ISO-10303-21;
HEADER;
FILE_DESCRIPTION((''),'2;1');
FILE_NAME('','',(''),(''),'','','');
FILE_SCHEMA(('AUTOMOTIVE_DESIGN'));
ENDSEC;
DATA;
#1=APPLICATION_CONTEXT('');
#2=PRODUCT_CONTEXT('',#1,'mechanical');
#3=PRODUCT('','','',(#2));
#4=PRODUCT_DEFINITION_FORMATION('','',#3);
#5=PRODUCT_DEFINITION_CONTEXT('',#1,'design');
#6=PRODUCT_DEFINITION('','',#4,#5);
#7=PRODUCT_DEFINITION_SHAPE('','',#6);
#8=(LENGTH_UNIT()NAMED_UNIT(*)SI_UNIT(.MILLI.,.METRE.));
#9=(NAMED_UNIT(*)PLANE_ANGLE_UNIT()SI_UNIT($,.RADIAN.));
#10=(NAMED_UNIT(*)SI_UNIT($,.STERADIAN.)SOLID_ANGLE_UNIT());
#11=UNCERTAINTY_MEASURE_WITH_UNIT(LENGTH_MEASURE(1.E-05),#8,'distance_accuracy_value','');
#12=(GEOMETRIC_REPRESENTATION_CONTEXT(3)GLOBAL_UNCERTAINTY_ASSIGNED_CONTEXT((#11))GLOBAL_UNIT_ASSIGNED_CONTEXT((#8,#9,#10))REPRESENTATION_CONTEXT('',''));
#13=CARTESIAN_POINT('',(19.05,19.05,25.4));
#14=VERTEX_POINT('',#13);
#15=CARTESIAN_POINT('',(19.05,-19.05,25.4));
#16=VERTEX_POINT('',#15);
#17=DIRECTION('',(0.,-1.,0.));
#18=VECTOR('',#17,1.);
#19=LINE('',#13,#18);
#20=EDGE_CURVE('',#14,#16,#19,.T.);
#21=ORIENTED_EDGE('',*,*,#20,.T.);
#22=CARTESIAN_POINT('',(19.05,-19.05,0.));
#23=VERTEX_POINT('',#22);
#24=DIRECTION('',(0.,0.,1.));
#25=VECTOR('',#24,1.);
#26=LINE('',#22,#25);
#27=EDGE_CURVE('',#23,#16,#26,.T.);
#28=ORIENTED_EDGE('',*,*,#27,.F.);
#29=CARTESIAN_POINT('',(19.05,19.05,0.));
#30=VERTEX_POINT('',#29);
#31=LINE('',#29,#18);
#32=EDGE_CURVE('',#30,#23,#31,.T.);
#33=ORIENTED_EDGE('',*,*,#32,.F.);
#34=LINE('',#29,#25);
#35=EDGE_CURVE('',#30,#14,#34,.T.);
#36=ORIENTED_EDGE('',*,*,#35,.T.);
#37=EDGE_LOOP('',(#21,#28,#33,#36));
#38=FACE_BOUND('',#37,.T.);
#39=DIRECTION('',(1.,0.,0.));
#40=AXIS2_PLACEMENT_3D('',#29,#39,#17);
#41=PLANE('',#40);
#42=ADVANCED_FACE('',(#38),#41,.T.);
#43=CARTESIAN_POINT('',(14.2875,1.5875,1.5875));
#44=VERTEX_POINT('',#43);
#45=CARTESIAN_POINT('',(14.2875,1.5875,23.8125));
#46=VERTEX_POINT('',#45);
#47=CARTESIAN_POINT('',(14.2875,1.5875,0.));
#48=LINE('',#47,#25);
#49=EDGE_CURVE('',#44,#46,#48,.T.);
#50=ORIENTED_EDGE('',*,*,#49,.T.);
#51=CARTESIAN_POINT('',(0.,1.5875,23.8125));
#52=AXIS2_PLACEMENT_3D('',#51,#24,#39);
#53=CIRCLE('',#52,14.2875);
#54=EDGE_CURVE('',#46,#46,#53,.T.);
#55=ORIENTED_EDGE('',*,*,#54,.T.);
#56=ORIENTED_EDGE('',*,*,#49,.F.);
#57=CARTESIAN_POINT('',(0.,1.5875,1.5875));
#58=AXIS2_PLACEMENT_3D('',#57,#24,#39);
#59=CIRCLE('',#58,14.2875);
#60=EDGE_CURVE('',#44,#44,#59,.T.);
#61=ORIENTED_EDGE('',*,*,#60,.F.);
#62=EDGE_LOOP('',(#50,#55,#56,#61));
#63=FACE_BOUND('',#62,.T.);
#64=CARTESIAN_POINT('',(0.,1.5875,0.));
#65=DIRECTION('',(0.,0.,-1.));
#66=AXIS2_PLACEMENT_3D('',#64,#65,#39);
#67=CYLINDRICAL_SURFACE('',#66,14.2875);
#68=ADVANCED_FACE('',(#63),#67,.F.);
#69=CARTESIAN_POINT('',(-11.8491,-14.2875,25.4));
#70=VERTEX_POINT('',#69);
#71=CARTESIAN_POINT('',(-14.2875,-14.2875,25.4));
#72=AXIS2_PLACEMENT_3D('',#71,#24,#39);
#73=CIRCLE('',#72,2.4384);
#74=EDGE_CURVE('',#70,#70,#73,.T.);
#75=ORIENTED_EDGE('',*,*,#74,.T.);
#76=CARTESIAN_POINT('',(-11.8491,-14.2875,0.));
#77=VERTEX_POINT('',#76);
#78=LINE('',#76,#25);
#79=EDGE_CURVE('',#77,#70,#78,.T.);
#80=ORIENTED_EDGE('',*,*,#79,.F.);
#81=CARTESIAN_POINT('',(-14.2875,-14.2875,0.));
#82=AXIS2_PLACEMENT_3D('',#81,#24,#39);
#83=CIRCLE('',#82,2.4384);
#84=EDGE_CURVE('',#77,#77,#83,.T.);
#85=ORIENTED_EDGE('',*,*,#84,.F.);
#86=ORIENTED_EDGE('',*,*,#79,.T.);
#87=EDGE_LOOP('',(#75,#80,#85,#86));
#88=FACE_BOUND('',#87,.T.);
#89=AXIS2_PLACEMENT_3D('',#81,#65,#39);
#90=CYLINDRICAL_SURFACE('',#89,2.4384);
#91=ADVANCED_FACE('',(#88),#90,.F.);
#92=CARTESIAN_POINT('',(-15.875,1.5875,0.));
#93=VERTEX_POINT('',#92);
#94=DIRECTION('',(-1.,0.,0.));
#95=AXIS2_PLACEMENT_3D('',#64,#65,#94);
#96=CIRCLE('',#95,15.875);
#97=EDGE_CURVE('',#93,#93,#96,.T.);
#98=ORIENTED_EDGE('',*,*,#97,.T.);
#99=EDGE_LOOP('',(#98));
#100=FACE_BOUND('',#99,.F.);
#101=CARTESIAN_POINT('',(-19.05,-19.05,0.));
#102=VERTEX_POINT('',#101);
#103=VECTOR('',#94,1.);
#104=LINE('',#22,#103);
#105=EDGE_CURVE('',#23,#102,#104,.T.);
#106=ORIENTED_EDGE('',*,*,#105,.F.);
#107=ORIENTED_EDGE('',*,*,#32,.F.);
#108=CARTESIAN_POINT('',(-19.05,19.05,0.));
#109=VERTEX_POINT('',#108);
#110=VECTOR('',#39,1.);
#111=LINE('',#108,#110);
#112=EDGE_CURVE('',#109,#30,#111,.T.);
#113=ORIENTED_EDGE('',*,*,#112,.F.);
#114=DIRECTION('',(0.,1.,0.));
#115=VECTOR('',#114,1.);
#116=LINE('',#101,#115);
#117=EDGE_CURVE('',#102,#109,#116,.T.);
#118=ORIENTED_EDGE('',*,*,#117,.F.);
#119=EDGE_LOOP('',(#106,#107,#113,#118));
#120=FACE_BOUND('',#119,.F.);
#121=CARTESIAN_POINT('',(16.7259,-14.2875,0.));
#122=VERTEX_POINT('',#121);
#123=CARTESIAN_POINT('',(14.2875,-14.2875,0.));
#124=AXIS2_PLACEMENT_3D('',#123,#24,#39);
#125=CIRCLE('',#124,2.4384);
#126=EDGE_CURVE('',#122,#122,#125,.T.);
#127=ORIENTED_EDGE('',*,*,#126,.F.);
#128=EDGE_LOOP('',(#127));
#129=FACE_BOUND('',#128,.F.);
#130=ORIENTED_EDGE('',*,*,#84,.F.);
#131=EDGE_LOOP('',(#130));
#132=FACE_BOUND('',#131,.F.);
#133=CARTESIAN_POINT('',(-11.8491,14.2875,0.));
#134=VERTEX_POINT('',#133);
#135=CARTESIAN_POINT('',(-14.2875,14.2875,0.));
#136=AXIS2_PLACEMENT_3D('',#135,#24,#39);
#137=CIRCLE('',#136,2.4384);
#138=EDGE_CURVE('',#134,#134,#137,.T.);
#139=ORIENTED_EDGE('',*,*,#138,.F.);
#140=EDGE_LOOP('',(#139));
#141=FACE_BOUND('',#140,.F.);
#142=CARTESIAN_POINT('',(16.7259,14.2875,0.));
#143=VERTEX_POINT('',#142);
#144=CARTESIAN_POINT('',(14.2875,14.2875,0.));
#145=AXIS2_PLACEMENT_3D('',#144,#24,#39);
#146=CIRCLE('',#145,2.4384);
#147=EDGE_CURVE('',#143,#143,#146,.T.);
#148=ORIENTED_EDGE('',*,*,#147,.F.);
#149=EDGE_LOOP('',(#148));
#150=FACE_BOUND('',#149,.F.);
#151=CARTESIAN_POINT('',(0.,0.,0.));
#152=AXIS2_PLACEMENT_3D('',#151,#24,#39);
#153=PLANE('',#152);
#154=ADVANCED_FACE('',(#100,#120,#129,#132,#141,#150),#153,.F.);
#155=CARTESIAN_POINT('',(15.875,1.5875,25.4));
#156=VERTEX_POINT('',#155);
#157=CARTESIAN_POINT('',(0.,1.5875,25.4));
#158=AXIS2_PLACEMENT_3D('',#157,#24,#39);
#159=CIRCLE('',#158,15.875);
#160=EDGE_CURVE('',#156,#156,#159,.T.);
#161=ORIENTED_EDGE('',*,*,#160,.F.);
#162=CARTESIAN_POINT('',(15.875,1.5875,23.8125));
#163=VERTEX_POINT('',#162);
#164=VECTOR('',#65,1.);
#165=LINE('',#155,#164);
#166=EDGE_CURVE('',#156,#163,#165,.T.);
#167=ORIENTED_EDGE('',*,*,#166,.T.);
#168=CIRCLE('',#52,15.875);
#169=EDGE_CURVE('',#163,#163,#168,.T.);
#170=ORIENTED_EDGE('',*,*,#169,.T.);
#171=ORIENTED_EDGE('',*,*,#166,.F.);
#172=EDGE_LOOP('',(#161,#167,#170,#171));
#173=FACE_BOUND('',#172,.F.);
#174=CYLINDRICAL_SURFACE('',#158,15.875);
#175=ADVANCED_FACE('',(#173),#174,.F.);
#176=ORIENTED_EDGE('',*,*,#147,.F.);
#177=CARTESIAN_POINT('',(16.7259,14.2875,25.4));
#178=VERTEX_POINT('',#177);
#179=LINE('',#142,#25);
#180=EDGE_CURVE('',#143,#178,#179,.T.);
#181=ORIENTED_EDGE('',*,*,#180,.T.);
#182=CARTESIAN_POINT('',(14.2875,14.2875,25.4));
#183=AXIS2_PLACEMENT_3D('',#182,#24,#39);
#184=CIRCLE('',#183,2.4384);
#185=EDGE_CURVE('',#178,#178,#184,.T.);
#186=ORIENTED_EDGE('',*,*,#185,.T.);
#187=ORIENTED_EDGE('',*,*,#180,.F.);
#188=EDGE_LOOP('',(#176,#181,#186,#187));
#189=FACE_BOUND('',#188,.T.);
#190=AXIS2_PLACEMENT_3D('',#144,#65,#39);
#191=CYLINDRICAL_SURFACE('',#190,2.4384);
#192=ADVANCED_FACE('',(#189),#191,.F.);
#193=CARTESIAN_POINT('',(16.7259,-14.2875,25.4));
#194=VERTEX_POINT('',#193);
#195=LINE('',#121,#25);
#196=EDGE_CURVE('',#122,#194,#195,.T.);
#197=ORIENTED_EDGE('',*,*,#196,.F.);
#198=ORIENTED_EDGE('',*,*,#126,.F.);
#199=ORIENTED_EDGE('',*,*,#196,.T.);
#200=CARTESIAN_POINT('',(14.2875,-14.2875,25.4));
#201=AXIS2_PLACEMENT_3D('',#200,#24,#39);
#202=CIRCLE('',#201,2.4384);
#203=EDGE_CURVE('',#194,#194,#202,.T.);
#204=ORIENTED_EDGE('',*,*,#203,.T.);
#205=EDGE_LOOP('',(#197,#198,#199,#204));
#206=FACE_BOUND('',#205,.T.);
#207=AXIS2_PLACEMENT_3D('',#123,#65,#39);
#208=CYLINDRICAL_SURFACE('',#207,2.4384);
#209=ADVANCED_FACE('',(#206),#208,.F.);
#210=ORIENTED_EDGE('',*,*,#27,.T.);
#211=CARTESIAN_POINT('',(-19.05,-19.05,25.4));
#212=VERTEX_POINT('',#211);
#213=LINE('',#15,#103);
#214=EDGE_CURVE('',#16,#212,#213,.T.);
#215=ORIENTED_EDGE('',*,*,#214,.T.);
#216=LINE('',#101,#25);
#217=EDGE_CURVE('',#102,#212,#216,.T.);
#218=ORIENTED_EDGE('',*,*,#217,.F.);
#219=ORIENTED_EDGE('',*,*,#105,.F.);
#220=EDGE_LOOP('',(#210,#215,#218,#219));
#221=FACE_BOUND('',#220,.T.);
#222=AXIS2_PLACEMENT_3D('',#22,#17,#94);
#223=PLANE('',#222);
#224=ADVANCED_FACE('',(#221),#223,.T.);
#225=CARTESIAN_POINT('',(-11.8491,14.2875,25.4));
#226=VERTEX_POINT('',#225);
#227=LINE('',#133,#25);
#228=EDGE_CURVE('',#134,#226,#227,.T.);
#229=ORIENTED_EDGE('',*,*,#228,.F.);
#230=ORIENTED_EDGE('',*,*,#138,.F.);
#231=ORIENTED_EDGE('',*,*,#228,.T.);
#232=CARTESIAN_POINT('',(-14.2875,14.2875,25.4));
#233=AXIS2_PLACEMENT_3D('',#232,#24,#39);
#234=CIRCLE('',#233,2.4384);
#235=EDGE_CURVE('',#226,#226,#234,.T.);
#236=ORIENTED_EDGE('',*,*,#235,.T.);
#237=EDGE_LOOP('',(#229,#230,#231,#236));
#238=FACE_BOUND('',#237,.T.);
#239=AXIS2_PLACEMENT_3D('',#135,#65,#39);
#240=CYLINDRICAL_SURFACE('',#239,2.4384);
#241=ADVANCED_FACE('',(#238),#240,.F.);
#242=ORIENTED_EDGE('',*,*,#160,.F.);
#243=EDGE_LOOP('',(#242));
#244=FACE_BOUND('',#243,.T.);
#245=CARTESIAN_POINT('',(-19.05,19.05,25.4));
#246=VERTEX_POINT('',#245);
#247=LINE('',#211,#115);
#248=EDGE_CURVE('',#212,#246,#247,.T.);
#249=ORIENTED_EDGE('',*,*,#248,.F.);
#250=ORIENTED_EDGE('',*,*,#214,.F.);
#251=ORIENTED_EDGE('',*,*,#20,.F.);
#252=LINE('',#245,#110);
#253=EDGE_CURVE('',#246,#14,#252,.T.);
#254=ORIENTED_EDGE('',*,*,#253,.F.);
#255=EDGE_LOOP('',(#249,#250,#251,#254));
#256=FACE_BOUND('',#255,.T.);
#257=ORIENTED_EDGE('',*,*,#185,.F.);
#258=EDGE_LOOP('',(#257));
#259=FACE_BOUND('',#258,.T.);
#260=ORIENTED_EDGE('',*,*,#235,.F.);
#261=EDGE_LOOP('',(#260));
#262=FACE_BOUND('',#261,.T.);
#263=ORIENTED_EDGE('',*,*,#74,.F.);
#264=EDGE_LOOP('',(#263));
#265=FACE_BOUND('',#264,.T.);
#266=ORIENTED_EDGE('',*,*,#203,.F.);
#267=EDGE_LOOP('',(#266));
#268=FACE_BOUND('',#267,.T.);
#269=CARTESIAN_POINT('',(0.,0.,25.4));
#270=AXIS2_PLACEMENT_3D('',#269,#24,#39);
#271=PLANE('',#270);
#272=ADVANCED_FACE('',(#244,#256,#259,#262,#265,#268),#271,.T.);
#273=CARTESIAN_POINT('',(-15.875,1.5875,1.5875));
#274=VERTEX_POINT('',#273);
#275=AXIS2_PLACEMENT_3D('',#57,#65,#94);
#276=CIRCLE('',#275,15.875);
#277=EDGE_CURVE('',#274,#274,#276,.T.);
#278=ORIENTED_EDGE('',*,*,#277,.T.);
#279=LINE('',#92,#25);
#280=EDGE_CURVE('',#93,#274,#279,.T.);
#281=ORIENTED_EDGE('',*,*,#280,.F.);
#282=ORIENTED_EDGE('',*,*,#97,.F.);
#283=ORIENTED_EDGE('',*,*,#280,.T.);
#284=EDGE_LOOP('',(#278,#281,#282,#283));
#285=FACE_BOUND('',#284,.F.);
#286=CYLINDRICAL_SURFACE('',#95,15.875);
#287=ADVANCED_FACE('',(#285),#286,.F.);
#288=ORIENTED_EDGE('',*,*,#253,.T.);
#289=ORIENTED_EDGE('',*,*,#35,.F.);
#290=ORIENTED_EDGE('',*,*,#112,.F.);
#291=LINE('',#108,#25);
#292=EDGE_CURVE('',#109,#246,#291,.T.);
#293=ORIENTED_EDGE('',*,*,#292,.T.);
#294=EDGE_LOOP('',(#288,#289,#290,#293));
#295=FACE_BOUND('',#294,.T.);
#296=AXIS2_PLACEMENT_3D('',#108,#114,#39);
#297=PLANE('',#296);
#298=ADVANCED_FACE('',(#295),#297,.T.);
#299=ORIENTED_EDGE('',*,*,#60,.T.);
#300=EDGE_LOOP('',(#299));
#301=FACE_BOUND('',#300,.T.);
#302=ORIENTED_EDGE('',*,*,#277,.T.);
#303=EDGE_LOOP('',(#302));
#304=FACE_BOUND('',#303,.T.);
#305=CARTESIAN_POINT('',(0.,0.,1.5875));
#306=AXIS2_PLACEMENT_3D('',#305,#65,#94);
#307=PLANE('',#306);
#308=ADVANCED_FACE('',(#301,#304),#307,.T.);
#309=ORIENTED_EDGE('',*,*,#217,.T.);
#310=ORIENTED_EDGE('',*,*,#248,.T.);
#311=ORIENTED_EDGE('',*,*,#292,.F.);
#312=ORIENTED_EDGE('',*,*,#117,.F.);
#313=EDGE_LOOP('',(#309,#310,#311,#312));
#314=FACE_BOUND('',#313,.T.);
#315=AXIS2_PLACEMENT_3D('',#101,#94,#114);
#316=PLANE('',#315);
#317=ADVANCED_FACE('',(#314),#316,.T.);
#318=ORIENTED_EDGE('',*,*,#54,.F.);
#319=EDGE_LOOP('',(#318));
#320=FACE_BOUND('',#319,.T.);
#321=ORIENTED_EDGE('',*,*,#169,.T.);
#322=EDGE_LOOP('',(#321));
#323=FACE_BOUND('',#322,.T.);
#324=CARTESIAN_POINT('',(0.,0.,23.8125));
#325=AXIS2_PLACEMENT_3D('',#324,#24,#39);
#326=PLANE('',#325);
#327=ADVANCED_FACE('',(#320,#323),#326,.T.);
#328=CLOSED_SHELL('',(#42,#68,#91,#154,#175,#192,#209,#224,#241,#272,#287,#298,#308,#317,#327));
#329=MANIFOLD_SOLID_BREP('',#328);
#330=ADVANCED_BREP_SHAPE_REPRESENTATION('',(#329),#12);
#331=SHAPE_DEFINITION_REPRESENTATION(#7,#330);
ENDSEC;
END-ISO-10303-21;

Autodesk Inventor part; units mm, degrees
ref_plane "YZ Plane" through (0, 0, 0) normal (1, 0, 0) x (0, 1, 0)
ref_plane "XZ Plane" through (0, 0, 0) normal (0, 1, 0) x (-1, 0, 0)
ref_plane "XY Plane" through (0, 0, 0) normal (0, 0, 1) x (1, 0, 0)
sketch "Sketch1" plane through (0, 0, 0) normal (0, 0, 1) x (1, 0, 0)
  line L0 (-19.05, 19.05) -> (19.05, 19.05)
  line L1 (19.05, 19.05) -> (19.05, -19.05)
  line L2 (19.05, -19.05) -> (-19.05, -19.05)
  line L3 (-19.05, -19.05) -> (-19.05, 19.05)
  circle A0 centre (-14.2875, 14.2875) radius 2.4384
  circle A1 centre (14.2875, 14.2875) radius 2.4384
  circle A2 centre (14.2875, -14.2875) radius 2.4384
  circle A3 centre (-14.2875, -14.2875) radius 2.4384
  line L4 (-19.05, 15.875) -> (19.05, 15.875) construction
  line L5 (14.2875, 19.05) -> (14.2875, -19.05) construction
  line L6 (19.05, -12.7) -> (-19.05, -12.7) construction
  line L7 (-14.2875, -19.05) -> (-14.2875, 19.05) construction
  circle A4 centre (0, 1.5875) radius 14.2875
  point P0 (0, 0)
  dimension "d2" = 38.1
  dimension "d4" = 38.1
  dimension "d5" = 4.8768
  dimension "d6" = 4.7625
  dimension "d7" = 4.7625
  dimension "d8" = 4.7625
  dimension "d9" = 4.7625
  dimension "d10" = 4.7625
  dimension "d11" = 4.7625
  dimension "d12" = 4.7625
  dimension "d13" = 4.7625
  dimension "d22" = 19.05
  dimension "d23" = 6.35
extrude "Extrusion4" add sketch "Sketch1" along normal blind 25.4
sketch "Sketch4" plane through (0, 0, 25.4) normal (0, 0, 1) x (1, 0, 0)
  circle A0 centre (0, 1.5875) radius 14.2875 projected
  circle A1 centre (0, 1.5875) radius 15.875
  circle A2 centre (0, 1.5875) radius 14.2875
  point P0 (0, 0)
  dimension "d26" = 1.5875
extrude "Extrusion5" cut sketch "Sketch4" against normal blind 1.5875
sketch "Sketch5" plane through (0, 0, 0) normal (0, 0, -1) x (-1, 0, 0)
  circle A0 centre (0, 1.5875) radius 14.2875 projected
  circle A1 centre (0, 1.5875) radius 15.875
  circle A2 centre (0, 1.5875) radius 14.2875
  point P0 (0, 0)
  dimension "d29" = 1.5875
extrude "Extrusion6" cut sketch "Sketch5" against normal blind 1.5875
properties part number "WheelBearingBlock" material "Aluminum-6061"
